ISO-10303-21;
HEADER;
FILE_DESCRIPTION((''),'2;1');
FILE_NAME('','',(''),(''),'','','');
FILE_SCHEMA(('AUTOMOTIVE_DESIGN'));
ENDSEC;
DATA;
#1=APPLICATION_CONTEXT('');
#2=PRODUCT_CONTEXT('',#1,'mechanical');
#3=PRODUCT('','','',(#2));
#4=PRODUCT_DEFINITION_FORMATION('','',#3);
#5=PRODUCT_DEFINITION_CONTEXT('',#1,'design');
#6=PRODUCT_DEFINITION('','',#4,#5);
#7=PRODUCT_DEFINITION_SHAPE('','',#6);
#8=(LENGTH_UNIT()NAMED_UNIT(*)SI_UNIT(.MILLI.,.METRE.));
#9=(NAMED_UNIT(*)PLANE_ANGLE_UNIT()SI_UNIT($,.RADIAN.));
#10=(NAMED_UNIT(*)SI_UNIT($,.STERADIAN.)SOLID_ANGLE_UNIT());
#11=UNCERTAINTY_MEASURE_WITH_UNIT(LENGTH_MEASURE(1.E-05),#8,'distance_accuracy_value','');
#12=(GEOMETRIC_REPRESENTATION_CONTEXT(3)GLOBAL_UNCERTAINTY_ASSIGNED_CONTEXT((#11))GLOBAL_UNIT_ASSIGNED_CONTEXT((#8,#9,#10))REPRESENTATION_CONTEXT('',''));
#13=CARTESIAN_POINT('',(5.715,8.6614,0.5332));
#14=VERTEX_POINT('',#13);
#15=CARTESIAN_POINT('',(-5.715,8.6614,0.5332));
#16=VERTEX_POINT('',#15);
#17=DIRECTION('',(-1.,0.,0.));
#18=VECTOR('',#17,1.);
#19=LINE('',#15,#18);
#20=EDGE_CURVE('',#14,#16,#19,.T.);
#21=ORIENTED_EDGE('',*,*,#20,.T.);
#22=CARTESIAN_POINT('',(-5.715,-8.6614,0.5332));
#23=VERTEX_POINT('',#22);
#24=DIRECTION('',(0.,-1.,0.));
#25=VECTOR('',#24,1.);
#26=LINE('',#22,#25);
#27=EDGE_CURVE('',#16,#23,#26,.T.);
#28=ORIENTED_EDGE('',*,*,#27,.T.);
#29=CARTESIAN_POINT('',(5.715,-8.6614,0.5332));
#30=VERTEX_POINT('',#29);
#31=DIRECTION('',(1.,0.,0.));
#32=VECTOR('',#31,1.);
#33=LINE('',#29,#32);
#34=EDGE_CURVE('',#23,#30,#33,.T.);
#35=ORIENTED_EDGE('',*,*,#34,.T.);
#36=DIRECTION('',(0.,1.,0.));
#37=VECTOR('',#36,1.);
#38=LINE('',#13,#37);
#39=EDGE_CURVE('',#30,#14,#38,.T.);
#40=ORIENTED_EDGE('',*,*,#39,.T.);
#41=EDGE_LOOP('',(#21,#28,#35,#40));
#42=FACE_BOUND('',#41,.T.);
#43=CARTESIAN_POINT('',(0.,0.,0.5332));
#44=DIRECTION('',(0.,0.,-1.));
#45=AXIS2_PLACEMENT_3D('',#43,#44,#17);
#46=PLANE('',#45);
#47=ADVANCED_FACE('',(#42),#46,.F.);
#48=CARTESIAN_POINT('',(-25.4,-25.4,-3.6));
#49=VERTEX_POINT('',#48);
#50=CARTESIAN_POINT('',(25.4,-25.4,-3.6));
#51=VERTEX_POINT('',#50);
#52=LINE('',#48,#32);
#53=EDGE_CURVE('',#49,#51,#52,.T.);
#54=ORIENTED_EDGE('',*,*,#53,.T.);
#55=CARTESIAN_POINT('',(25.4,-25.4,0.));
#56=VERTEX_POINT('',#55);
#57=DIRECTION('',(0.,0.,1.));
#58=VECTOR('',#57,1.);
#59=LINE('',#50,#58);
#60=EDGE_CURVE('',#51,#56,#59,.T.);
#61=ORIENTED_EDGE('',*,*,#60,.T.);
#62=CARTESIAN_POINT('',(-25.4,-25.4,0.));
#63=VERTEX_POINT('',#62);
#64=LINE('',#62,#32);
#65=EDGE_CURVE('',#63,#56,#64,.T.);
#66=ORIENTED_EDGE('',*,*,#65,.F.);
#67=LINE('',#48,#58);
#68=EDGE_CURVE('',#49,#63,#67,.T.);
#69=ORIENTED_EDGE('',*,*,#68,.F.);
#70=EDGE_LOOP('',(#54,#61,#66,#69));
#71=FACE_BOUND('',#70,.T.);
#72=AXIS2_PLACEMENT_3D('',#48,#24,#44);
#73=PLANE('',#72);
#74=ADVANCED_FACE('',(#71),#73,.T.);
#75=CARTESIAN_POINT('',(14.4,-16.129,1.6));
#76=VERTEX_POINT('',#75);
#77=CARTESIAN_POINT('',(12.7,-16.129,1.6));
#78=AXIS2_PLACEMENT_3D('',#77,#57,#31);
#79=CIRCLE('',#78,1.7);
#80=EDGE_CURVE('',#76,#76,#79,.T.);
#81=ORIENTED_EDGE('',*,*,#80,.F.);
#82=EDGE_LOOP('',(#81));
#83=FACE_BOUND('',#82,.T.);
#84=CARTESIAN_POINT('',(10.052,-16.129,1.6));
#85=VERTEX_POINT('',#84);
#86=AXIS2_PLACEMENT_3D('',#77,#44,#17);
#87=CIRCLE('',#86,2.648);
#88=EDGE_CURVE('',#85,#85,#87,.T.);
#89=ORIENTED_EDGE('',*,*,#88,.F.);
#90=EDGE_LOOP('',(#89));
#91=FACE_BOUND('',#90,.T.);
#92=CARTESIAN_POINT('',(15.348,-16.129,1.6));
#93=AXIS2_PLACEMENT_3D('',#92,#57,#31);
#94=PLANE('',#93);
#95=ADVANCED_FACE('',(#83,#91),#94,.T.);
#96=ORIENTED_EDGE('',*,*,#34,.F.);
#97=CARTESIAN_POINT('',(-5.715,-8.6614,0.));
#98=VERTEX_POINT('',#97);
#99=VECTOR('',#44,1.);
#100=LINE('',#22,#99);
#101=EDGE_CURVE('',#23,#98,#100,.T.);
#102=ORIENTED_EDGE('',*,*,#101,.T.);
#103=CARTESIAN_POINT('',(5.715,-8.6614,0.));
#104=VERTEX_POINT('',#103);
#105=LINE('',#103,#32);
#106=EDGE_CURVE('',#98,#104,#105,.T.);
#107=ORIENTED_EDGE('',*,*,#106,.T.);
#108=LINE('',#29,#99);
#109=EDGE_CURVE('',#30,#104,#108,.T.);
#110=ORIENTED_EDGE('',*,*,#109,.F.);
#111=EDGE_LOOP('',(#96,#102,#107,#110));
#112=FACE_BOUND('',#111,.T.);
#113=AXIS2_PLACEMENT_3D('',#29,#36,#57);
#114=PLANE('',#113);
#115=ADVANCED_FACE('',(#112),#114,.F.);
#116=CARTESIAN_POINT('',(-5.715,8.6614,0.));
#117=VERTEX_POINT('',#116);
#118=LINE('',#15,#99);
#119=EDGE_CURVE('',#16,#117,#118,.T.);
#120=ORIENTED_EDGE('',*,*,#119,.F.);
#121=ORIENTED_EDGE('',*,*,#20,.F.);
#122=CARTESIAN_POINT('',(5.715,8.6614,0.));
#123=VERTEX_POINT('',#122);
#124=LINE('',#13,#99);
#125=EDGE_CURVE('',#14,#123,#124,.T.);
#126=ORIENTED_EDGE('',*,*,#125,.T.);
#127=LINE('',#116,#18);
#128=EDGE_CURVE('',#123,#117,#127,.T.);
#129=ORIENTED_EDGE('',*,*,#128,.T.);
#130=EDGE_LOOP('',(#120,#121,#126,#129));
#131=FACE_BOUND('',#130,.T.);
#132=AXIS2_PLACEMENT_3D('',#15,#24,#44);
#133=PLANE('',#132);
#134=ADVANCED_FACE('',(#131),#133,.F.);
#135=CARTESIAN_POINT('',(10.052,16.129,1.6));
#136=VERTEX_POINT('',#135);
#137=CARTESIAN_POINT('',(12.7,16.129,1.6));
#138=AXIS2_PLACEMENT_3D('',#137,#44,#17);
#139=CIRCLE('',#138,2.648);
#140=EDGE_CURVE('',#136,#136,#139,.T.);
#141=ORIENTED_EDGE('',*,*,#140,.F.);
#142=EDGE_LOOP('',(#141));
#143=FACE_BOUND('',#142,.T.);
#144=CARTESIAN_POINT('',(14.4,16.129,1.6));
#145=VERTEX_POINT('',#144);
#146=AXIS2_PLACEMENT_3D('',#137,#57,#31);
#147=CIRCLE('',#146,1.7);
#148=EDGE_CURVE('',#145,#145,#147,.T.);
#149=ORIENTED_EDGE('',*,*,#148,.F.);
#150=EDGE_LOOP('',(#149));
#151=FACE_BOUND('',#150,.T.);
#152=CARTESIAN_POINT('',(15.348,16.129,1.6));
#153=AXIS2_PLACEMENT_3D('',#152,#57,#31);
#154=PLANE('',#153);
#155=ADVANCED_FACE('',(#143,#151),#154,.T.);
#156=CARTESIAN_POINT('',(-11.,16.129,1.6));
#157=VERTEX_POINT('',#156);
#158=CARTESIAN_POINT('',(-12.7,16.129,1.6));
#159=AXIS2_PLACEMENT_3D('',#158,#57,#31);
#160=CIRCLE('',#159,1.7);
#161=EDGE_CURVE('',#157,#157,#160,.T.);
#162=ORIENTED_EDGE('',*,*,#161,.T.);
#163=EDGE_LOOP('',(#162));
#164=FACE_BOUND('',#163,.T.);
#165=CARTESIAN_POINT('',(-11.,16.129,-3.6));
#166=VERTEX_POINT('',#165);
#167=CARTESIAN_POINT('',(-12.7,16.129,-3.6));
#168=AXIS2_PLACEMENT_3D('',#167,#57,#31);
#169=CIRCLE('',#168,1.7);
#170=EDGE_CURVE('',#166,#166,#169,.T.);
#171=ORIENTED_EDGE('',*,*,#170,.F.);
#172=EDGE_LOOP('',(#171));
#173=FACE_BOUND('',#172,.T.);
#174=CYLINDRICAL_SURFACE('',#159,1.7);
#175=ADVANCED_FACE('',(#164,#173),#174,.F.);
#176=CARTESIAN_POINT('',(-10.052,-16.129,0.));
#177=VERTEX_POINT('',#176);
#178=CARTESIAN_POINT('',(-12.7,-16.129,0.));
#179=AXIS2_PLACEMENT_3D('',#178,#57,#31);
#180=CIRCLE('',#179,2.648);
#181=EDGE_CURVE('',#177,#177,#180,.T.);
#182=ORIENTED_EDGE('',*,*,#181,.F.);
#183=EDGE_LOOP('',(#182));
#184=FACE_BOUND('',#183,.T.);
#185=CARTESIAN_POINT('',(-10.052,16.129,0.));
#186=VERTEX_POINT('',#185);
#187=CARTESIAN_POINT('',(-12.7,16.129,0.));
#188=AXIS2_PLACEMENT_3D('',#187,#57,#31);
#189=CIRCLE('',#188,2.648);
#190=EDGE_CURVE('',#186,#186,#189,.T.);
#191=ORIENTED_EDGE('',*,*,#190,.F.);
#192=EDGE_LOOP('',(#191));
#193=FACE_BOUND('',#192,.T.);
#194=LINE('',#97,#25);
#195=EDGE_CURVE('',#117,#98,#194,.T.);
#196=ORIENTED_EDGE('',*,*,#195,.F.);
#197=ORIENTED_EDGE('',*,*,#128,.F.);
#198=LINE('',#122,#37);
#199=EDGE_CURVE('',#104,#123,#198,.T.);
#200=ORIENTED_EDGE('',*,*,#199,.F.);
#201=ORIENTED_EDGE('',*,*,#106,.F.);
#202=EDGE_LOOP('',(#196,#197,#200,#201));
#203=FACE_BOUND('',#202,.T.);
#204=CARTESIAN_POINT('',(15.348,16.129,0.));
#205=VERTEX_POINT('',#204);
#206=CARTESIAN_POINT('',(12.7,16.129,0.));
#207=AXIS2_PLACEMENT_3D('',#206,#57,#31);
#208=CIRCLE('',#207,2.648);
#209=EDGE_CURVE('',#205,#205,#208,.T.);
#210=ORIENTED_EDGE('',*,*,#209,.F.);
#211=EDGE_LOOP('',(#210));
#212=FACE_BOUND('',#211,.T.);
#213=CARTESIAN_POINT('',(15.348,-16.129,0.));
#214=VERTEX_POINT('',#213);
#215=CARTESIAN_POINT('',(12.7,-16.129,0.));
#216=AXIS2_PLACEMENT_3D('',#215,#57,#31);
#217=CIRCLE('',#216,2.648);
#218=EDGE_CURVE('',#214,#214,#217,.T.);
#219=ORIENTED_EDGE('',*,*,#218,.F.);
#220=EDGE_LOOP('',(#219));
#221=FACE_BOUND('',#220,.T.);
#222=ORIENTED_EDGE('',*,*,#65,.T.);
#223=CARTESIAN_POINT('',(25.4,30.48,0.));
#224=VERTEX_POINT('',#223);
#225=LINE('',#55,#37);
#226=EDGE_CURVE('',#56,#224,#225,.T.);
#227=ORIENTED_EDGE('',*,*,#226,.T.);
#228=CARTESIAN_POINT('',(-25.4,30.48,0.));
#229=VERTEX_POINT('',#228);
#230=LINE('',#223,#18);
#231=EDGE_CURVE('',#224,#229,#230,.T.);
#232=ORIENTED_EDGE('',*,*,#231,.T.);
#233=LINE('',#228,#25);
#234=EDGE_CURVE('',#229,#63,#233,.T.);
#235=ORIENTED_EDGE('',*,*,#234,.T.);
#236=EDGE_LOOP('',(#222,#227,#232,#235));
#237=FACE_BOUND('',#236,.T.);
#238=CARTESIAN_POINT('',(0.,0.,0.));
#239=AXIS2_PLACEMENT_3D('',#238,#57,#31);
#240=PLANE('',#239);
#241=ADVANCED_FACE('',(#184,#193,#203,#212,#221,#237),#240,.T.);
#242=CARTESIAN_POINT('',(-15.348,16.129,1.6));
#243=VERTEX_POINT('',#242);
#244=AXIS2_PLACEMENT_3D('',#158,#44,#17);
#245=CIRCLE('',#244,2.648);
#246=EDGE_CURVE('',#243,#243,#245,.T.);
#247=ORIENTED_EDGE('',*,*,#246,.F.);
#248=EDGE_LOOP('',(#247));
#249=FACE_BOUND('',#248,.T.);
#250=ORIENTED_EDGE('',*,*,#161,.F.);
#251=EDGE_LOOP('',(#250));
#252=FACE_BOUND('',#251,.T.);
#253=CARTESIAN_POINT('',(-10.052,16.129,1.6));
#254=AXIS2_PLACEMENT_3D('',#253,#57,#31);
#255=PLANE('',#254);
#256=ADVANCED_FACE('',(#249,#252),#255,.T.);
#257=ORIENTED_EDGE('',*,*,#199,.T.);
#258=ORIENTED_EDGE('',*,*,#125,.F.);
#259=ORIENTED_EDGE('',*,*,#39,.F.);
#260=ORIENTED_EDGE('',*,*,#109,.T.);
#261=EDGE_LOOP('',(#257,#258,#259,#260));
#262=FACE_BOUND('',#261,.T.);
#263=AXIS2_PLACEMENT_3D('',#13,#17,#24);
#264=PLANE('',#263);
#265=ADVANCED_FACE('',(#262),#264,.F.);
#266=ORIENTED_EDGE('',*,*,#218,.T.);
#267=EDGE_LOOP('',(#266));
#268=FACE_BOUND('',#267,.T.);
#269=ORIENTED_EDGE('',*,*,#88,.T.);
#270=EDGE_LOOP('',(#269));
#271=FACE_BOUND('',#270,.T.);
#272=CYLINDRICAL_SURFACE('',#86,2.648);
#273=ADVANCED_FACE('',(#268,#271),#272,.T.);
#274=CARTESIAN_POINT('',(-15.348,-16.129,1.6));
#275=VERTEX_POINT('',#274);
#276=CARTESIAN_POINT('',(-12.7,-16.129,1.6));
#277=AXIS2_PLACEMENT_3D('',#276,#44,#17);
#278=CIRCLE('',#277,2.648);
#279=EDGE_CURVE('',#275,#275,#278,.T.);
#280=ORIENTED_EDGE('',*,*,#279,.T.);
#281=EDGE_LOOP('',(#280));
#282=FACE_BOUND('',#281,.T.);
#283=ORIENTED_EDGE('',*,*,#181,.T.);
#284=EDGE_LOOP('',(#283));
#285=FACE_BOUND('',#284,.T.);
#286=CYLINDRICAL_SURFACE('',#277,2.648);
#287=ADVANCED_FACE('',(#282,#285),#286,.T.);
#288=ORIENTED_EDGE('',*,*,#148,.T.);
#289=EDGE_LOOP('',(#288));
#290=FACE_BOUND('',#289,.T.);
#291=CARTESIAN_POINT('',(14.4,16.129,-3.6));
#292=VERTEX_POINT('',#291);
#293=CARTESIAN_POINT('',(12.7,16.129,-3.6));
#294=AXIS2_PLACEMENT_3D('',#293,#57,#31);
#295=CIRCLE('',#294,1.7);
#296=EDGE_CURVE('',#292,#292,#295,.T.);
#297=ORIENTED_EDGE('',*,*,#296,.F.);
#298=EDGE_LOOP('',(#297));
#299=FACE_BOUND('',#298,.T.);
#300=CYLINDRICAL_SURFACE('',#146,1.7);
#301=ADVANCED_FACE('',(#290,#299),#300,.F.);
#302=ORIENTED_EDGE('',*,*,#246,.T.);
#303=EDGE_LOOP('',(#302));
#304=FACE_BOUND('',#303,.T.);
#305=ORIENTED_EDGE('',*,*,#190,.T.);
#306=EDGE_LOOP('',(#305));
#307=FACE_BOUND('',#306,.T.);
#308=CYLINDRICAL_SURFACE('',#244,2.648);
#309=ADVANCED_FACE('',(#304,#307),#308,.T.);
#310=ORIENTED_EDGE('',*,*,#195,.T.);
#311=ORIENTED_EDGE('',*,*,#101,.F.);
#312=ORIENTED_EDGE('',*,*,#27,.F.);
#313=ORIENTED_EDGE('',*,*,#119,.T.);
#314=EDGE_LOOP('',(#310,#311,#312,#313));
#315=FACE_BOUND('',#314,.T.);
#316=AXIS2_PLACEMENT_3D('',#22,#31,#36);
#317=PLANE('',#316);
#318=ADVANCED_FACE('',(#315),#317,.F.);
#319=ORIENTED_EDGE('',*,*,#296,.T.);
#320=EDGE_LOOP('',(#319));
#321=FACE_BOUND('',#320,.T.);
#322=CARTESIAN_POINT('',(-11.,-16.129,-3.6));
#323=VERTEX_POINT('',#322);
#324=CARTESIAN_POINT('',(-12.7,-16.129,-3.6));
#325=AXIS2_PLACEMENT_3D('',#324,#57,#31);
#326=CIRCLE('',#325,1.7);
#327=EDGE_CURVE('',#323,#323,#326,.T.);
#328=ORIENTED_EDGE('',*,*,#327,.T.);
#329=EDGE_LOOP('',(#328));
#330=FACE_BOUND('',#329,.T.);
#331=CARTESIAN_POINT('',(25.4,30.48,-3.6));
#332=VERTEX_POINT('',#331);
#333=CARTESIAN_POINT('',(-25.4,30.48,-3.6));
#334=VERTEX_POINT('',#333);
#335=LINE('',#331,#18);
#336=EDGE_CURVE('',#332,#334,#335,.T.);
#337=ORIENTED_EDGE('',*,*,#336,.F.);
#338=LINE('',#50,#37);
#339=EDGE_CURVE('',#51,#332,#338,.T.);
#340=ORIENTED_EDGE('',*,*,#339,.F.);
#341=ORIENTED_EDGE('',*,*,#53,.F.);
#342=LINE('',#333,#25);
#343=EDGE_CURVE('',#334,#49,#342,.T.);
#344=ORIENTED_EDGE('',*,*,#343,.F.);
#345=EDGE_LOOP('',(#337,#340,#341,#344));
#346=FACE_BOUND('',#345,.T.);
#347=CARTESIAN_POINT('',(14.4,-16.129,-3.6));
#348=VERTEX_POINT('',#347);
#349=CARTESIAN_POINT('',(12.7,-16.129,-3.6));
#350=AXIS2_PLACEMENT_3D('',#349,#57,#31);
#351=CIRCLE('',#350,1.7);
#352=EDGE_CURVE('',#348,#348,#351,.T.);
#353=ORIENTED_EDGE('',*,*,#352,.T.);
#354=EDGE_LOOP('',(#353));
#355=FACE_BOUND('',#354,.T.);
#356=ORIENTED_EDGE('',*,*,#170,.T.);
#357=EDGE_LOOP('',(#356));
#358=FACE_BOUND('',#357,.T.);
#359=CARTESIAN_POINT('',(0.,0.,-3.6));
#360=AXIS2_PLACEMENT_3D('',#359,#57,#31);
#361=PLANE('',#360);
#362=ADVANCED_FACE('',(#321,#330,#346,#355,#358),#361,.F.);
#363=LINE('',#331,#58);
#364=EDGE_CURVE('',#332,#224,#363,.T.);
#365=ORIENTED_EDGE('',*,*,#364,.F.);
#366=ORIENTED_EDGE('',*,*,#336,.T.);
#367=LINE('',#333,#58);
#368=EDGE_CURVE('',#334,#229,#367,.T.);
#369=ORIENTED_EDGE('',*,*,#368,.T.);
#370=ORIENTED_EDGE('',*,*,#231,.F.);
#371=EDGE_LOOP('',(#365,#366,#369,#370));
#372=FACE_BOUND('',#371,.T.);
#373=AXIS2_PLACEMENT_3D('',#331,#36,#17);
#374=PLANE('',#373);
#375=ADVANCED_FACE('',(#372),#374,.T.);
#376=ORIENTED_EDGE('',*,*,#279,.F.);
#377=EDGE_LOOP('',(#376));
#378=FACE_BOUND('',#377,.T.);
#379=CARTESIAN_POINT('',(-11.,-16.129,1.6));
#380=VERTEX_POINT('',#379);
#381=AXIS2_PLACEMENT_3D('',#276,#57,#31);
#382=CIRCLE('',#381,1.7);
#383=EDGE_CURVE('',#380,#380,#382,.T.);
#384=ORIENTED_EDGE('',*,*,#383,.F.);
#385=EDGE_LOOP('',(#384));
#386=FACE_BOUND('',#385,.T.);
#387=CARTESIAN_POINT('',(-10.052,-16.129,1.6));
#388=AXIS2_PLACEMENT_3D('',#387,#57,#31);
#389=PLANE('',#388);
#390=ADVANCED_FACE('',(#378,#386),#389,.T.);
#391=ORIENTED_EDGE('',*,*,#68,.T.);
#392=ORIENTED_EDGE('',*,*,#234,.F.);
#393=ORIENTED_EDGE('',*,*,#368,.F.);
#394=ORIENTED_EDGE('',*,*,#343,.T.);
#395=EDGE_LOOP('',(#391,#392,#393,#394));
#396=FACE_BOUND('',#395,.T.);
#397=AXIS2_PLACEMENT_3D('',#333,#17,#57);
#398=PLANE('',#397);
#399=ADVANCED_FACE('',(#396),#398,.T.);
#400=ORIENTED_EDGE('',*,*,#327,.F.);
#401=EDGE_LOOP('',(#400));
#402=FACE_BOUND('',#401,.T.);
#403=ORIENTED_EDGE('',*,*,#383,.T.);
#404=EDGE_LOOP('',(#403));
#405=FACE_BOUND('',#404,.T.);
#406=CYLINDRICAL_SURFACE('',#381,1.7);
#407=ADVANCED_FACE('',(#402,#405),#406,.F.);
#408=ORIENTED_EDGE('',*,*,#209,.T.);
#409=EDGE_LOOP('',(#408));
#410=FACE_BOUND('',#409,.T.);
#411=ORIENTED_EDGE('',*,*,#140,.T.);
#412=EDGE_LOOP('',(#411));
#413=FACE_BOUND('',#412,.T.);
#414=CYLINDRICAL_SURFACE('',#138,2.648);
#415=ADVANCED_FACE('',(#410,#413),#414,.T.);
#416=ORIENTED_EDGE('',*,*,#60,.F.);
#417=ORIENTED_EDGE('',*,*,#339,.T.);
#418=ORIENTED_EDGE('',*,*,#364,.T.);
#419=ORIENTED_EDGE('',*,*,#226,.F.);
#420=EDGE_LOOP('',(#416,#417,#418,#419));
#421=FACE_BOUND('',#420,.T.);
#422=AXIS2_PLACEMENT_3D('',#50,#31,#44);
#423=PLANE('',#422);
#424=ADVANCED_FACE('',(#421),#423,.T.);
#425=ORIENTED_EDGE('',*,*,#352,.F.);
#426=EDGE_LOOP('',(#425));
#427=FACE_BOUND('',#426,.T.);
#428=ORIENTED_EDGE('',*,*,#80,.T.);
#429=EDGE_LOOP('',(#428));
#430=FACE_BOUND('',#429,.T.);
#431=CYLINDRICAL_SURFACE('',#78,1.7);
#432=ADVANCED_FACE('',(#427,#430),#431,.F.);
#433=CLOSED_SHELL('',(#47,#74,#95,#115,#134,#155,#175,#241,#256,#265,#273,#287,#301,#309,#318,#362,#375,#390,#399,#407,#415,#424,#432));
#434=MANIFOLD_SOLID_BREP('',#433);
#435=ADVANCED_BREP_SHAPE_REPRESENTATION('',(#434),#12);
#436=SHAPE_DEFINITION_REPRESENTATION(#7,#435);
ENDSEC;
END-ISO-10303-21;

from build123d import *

# Parameters (mm, degrees)
SKETCH1_W                  = 50.8
SKETCH1_H                  = 55.88
BOSS_EXTRUDE1_DEPTH        = 3.6
SKETCH2_W                  = 11.43
SKETCH2_H                  = 17.3228
BOSS_EXTRUDE2_DEPTH        = 0.5332
SKETCH3_W                  = 2.648
SKETCH3_H                  = 1.6
SKETCH4_W                  = 2.648
SKETCH4_H                  = 1.6
SKETCH5_W                  = 2.648
SKETCH5_H                  = 1.6
SKETCH6_W                  = 2.648
SKETCH6_H                  = 1.6
F_3_4_3_4_DIAMETER_HOLE1_D = 3.4


with BuildPart() as part:
    # Sketch1 → Boss-Extrude1 (new body)
    with BuildSketch(Plane.XY):
        with Locations((0, 2.54)):
            Rectangle(SKETCH1_W, SKETCH1_H)
    extrude(amount=-BOSS_EXTRUDE1_DEPTH)

    # Sketch2 → Boss-Extrude2 (add)
    with BuildSketch(Plane.XY):
        Rectangle(SKETCH2_W, SKETCH2_H)
    extrude(amount=BOSS_EXTRUDE2_DEPTH)

    # Sketch3 → Revolve1 (revolve)
    with BuildSketch(Plane.XZ.offset(-16.129)):
        with Locations((-11.376, 0.8)):
            Rectangle(SKETCH3_W, SKETCH3_H)
    revolve(axis=Axis((-12.7, 16.129, 1.6), (0, 0, -1)))

    # Sketch4 → Revolve2 (revolve)
    with BuildSketch(Plane.XZ.offset(16.129)):
        with Locations((-11.376, 0.8)):
            Rectangle(SKETCH4_W, SKETCH4_H)
    revolve(axis=Axis((-12.7, -16.129, 1.6), (0, 0, -1)))

    # Sketch5 → Revolve3 (revolve)
    with BuildSketch(Plane.XZ.offset(16.129)):
        with Locations((14.024, 0.8)):
            Rectangle(SKETCH5_W, SKETCH5_H)
    revolve(axis=Axis((12.7, -16.129, 1.6), (0, 0, -1)))

    # Sketch6 → Revolve4 (revolve)
    with BuildSketch(Plane.XZ.offset(-16.129)):
        with Locations((14.024, 0.8)):
            Rectangle(SKETCH6_W, SKETCH6_H)
    revolve(axis=Axis((12.7, 16.129, 1.6), (0, 0, -1)))

    # Ø3.4 (3.4) Diameter Hole1 (through all)
    with Locations(Plane.XY.offset(1.6)):
        with Locations((-12.7, -16.129), (12.7, -16.129), (12.7, 16.129), (-12.7, 16.129)):
            Hole(F_3_4_3_4_DIAMETER_HOLE1_D / 2)


solid = part.part
